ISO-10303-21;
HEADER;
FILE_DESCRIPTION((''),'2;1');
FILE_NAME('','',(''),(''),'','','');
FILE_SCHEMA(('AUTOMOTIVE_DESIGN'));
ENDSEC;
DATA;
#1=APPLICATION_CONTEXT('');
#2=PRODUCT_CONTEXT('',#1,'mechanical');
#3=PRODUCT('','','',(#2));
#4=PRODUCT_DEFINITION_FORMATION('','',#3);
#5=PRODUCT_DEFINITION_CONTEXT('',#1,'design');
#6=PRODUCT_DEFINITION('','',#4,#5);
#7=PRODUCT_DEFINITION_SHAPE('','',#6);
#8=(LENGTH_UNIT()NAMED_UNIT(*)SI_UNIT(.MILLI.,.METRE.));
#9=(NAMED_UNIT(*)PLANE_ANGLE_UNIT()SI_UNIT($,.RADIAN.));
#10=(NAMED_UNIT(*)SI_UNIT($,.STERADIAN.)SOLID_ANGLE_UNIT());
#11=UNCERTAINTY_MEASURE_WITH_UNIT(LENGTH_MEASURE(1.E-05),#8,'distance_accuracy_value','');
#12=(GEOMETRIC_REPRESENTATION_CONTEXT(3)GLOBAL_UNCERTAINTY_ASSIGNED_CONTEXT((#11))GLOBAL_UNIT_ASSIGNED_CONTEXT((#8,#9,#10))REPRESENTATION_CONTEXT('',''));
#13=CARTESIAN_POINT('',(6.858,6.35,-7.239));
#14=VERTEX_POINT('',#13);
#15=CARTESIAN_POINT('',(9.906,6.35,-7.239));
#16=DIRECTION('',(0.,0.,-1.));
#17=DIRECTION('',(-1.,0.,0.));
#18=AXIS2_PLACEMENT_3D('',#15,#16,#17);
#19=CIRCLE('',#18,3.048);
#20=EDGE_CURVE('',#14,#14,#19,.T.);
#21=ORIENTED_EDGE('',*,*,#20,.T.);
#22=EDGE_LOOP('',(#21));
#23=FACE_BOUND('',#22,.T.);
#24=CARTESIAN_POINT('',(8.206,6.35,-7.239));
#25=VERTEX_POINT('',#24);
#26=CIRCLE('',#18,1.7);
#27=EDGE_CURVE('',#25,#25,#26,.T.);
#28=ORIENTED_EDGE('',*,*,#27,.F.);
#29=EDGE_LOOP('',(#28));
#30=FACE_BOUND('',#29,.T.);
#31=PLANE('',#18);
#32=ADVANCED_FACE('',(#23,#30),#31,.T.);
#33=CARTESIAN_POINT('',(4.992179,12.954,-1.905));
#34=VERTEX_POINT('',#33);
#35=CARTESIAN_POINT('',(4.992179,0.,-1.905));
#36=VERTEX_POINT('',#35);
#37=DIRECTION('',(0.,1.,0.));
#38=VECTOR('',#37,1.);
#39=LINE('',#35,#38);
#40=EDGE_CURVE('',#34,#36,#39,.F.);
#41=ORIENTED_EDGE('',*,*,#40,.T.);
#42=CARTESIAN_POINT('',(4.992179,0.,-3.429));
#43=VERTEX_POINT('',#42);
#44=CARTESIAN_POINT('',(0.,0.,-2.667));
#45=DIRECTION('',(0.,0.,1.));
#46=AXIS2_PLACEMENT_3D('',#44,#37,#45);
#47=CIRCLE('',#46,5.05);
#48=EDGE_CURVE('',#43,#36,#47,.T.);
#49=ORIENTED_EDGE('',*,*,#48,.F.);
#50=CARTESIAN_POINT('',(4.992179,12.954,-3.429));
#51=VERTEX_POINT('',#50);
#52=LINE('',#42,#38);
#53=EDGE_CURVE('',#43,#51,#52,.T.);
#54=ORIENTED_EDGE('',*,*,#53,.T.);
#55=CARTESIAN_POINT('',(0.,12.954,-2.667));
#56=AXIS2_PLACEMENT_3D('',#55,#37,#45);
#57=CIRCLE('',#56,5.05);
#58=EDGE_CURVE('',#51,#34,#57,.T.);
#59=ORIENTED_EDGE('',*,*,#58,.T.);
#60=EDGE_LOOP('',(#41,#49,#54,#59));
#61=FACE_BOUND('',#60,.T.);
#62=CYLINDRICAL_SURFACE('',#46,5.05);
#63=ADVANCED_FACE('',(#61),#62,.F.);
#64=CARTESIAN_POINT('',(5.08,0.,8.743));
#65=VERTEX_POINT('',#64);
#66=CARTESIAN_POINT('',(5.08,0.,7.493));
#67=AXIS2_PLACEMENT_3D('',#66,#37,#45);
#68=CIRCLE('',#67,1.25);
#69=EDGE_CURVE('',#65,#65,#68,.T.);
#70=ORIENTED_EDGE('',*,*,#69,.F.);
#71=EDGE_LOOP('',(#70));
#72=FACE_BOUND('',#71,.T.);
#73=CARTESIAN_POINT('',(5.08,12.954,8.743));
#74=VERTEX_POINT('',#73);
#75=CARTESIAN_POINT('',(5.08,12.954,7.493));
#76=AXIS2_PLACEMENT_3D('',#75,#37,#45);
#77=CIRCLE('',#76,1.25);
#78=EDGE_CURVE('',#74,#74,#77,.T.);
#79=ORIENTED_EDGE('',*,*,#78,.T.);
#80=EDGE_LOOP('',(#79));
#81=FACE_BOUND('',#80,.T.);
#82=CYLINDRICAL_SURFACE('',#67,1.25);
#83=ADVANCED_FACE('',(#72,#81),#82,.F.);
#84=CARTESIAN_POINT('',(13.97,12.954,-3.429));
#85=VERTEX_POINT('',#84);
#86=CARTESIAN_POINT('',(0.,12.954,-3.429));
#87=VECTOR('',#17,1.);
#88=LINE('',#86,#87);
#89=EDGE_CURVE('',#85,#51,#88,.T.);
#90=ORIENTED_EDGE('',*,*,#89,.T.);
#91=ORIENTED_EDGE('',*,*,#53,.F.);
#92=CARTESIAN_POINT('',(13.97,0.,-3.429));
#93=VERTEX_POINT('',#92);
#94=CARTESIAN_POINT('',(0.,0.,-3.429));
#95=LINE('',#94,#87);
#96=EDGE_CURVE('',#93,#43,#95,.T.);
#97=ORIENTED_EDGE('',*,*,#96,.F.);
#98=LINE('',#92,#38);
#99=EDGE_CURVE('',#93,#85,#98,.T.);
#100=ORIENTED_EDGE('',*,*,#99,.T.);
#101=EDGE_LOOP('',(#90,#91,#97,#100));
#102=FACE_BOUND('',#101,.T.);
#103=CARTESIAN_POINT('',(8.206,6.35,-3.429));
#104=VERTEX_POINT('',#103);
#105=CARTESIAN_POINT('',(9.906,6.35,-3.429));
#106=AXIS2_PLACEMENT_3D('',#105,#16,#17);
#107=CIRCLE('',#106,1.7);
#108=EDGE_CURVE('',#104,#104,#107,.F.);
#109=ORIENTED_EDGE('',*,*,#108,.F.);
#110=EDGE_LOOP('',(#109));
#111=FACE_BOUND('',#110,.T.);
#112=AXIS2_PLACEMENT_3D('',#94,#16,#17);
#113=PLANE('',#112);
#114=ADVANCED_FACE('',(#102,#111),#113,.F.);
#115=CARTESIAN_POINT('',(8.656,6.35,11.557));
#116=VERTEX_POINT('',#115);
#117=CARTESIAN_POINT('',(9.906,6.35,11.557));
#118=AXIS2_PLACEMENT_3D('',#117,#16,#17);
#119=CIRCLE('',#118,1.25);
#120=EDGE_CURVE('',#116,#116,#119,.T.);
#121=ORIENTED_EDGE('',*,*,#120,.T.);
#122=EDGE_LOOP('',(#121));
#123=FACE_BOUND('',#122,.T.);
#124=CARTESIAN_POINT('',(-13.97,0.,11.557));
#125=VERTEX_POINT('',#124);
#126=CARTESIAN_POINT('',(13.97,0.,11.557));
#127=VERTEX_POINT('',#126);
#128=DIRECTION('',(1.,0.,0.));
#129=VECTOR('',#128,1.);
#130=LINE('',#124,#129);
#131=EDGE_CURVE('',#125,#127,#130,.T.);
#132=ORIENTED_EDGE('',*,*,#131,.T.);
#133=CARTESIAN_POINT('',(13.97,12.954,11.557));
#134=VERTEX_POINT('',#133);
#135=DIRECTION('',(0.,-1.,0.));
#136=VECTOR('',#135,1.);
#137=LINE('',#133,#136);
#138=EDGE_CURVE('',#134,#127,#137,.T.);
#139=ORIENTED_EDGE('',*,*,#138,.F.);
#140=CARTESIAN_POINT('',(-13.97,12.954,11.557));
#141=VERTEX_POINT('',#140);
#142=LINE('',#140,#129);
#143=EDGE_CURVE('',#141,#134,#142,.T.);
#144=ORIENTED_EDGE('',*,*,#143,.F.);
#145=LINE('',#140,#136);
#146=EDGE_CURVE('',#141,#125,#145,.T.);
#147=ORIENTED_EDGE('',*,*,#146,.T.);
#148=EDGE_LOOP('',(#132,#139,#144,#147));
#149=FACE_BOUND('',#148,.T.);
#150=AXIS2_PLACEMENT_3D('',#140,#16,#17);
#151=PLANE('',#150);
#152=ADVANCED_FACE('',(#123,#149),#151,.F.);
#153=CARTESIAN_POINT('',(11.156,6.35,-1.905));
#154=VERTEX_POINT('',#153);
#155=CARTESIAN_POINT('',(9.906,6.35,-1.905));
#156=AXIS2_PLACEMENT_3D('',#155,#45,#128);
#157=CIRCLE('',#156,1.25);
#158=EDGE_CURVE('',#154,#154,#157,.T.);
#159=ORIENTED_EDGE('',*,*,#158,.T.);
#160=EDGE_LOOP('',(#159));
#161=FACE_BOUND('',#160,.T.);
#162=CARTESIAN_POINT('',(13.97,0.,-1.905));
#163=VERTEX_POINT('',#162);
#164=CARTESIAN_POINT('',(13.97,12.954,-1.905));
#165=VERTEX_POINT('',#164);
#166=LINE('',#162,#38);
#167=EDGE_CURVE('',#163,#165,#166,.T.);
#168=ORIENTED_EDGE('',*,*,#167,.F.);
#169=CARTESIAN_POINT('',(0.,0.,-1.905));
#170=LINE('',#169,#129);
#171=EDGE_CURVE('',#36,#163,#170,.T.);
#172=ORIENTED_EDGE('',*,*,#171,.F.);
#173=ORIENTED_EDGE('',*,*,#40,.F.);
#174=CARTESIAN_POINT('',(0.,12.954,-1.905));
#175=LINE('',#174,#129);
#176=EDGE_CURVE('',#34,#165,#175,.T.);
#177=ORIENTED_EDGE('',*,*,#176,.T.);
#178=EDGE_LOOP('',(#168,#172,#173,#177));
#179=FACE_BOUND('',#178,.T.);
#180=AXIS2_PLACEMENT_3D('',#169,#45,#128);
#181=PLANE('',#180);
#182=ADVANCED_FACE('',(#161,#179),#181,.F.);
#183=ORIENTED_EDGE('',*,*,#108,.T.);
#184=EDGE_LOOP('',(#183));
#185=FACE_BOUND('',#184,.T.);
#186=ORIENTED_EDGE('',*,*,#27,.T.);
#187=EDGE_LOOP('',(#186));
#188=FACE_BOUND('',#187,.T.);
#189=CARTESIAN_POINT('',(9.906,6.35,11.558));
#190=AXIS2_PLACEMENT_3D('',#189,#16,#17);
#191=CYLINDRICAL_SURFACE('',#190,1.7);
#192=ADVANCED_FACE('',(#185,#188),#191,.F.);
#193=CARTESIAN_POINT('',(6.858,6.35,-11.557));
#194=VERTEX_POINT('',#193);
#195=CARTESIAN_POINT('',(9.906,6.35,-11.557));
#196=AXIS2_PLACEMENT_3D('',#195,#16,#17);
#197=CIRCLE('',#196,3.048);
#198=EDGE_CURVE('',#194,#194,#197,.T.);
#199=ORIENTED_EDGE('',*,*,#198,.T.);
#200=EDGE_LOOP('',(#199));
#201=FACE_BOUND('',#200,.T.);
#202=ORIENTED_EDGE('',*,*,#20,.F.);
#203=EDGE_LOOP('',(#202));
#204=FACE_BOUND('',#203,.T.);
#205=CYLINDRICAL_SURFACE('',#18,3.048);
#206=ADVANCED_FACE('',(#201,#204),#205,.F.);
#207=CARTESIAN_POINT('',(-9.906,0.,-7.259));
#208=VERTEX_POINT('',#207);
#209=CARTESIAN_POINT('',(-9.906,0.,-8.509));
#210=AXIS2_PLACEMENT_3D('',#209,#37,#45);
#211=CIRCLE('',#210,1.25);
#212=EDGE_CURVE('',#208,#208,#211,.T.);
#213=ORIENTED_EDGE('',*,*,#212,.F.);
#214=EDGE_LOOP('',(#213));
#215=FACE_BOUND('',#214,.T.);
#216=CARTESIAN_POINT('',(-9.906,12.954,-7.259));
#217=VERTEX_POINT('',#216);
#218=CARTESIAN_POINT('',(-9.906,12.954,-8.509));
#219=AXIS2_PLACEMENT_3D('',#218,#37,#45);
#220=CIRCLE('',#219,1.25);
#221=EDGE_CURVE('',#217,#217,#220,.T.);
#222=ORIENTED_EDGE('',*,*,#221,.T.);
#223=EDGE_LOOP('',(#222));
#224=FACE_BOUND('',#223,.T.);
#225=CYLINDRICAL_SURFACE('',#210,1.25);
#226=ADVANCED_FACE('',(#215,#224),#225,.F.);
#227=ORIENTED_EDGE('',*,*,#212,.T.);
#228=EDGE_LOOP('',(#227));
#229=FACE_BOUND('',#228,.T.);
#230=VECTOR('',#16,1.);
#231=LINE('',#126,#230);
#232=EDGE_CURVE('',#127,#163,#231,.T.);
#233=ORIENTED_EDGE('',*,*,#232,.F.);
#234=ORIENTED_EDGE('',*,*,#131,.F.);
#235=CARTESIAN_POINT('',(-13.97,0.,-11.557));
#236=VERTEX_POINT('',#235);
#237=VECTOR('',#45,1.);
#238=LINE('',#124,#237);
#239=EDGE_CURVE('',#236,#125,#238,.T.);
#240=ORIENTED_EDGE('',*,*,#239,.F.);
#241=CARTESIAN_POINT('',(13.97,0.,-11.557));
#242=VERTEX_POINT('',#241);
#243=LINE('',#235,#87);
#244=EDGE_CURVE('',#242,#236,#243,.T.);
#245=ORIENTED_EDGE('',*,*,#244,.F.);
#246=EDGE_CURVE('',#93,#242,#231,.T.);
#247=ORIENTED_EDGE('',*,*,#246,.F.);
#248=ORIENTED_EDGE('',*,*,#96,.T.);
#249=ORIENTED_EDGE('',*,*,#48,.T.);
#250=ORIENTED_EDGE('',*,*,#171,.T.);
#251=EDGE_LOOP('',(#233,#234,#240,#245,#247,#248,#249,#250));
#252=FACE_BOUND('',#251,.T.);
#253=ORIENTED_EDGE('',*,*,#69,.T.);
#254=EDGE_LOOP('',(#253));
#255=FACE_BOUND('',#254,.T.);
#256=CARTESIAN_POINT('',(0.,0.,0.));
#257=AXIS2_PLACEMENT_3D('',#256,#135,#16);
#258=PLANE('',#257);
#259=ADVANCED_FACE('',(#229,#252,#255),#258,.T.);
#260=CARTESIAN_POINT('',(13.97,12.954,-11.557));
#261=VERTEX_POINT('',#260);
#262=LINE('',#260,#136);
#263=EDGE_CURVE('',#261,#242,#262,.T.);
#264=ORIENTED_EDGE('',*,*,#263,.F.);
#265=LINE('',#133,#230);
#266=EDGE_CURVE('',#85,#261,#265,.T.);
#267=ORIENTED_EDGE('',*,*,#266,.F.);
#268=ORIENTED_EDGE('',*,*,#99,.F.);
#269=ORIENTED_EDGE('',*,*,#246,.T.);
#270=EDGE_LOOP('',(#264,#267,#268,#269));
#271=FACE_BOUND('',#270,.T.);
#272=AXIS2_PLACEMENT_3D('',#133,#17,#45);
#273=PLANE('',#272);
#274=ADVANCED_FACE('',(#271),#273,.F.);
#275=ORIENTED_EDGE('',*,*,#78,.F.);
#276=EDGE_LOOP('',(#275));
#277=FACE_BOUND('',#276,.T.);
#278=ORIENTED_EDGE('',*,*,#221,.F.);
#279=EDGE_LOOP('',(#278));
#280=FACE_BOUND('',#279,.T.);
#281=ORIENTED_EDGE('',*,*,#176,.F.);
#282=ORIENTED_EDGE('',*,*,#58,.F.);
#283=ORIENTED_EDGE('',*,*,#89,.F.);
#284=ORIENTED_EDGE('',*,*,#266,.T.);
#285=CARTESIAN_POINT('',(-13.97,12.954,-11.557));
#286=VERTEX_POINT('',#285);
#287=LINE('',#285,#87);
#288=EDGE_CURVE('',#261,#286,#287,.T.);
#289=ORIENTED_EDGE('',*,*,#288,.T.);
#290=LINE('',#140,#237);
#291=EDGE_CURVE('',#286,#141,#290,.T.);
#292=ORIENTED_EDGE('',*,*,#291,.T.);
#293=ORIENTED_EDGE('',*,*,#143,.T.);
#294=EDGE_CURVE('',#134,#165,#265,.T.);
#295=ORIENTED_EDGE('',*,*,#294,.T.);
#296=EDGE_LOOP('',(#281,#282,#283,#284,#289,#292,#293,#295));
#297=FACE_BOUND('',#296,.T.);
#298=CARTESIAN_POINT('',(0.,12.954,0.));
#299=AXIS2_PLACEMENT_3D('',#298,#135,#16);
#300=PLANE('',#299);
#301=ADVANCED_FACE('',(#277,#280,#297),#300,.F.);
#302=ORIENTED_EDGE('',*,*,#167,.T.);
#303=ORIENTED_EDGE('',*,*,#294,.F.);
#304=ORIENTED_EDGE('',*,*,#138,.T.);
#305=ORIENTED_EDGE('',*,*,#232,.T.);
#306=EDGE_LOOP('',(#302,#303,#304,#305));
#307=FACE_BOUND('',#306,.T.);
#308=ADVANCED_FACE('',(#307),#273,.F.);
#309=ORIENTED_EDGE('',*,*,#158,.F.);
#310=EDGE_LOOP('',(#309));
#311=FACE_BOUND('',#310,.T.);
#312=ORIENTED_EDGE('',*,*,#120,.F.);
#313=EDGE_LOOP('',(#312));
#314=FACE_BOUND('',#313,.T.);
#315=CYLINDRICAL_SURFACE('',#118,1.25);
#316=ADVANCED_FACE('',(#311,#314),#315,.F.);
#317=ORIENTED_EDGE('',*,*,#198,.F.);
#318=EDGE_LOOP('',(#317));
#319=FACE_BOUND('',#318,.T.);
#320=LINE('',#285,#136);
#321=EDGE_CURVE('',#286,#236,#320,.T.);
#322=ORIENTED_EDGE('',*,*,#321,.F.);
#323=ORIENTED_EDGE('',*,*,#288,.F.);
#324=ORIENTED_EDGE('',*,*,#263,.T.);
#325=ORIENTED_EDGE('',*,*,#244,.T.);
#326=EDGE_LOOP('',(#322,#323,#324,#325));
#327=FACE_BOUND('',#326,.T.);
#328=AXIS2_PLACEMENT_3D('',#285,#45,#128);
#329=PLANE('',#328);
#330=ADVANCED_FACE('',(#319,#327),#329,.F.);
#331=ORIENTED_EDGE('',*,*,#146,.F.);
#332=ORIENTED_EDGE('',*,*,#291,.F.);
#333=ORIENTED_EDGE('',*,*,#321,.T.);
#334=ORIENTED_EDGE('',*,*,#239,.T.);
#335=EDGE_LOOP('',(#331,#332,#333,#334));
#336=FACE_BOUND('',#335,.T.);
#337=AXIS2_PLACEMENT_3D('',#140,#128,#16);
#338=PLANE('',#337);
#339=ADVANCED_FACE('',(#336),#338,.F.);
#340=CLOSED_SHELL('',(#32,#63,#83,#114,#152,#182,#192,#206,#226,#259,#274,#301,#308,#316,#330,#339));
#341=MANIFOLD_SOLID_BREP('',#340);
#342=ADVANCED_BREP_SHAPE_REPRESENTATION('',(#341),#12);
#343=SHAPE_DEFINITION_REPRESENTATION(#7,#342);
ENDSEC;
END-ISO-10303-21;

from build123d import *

# Parameters (mm, degrees)
SKETCH1_W           = 27.94
SKETCH1_H           = 23.114
BOSS_EXTRUDE1_DEPTH = 12.954
SKETCH2_R           = 5.05
CUT_EXTRUDE1_DEPTH  = 13.954
SKETCH3_W           = 13.97
SKETCH3_H           = 1.524
CUT_EXTRUDE2_DEPTH  = 13.954
SKETCH4_R           = 1.25
CUT_EXTRUDE3_DEPTH  = 13.954
SKETCH5_R           = 3.048
CUT_EXTRUDE4_DEPTH  = 4.318
CUT_EXTRUDE5_REACH  = 20.796
SKETCH6_R           = 1.7
SKETCH7_R           = 1.25
CUT_EXTRUDE6_DEPTH  = 19.796


with BuildPart() as part:
    # Sketch1 → Boss-Extrude1 (new body)
    with BuildSketch(Plane(origin=(0, 0, 0), x_dir=(1, 0, 0), z_dir=(0, 1, 0))):
        Rectangle(SKETCH1_W, SKETCH1_H)
    extrude(amount=BOSS_EXTRUDE1_DEPTH)

    # Sketch2 → Cut-Extrude1 (cut, through all)
    with BuildSketch(Plane(origin=(0, 12.954, 0), x_dir=(1, 0, 0), z_dir=(0, 1, 0))):
        with Locations((0, 2.667)):
            Circle(SKETCH2_R)
    extrude(amount=-CUT_EXTRUDE1_DEPTH, mode=Mode.SUBTRACT)

    # Sketch3 → Cut-Extrude2 (cut, through all)
    with BuildSketch(Plane(origin=(0, 12.954, 0), x_dir=(1, 0, 0), z_dir=(0, 1, 0))):
        with Locations((6.985, 2.667)):
            Rectangle(SKETCH3_W, SKETCH3_H)
    extrude(amount=-CUT_EXTRUDE2_DEPTH, mode=Mode.SUBTRACT)

    # Sketch4 → Cut-Extrude3 (cut, through all)
    with BuildSketch(Plane(origin=(0, 12.954, 0), x_dir=(1, 0, 0), z_dir=(0, 1, 0))):
        with Locations((-9.906, 8.509)):
            Circle(SKETCH4_R)
        with Locations((5.08, -7.493)):
            Circle(SKETCH4_R)
    extrude(amount=-CUT_EXTRUDE3_DEPTH, mode=Mode.SUBTRACT)

    # Sketch5 → Cut-Extrude4 (cut)
    with BuildSketch(Plane(origin=(0, 0, -11.557), x_dir=(-1, 0, 0), z_dir=(0, 0, -1))):
        with Locations((-9.906, 6.35)):
            Circle(SKETCH5_R)
    extrude(amount=-CUT_EXTRUDE4_DEPTH, mode=Mode.SUBTRACT)

    # Sketch6 → Cut-Extrude5 (cut, up to next)
    with BuildSketch(Plane(origin=(0, 0, -7.239), x_dir=(-1, 0, 0), z_dir=(0, 0, -1)), mode=Mode.PRIVATE) as cut_extrude5_sk1:
        with Locations((-9.906, 6.35)):
            Circle(SKETCH6_R)
    cut_extrude5_tool1 = extrude(cut_extrude5_sk1.sketch, amount=-CUT_EXTRUDE5_REACH, mode=Mode.PRIVATE) & part.part
    add(cut_extrude5_tool1.solids().sort_by_distance((9.906, 6.35, -7.239))[0], mode=Mode.SUBTRACT)

    # Sketch7 → Cut-Extrude6 (cut, through all)
    with BuildSketch(Plane(origin=(0, 0, -7.239), x_dir=(-1, 0, 0), z_dir=(0, 0, -1))):
        with Locations((-9.906, 6.35)):
            Circle(SKETCH7_R)
    extrude(amount=-CUT_EXTRUDE6_DEPTH, mode=Mode.SUBTRACT)


solid = part.part
